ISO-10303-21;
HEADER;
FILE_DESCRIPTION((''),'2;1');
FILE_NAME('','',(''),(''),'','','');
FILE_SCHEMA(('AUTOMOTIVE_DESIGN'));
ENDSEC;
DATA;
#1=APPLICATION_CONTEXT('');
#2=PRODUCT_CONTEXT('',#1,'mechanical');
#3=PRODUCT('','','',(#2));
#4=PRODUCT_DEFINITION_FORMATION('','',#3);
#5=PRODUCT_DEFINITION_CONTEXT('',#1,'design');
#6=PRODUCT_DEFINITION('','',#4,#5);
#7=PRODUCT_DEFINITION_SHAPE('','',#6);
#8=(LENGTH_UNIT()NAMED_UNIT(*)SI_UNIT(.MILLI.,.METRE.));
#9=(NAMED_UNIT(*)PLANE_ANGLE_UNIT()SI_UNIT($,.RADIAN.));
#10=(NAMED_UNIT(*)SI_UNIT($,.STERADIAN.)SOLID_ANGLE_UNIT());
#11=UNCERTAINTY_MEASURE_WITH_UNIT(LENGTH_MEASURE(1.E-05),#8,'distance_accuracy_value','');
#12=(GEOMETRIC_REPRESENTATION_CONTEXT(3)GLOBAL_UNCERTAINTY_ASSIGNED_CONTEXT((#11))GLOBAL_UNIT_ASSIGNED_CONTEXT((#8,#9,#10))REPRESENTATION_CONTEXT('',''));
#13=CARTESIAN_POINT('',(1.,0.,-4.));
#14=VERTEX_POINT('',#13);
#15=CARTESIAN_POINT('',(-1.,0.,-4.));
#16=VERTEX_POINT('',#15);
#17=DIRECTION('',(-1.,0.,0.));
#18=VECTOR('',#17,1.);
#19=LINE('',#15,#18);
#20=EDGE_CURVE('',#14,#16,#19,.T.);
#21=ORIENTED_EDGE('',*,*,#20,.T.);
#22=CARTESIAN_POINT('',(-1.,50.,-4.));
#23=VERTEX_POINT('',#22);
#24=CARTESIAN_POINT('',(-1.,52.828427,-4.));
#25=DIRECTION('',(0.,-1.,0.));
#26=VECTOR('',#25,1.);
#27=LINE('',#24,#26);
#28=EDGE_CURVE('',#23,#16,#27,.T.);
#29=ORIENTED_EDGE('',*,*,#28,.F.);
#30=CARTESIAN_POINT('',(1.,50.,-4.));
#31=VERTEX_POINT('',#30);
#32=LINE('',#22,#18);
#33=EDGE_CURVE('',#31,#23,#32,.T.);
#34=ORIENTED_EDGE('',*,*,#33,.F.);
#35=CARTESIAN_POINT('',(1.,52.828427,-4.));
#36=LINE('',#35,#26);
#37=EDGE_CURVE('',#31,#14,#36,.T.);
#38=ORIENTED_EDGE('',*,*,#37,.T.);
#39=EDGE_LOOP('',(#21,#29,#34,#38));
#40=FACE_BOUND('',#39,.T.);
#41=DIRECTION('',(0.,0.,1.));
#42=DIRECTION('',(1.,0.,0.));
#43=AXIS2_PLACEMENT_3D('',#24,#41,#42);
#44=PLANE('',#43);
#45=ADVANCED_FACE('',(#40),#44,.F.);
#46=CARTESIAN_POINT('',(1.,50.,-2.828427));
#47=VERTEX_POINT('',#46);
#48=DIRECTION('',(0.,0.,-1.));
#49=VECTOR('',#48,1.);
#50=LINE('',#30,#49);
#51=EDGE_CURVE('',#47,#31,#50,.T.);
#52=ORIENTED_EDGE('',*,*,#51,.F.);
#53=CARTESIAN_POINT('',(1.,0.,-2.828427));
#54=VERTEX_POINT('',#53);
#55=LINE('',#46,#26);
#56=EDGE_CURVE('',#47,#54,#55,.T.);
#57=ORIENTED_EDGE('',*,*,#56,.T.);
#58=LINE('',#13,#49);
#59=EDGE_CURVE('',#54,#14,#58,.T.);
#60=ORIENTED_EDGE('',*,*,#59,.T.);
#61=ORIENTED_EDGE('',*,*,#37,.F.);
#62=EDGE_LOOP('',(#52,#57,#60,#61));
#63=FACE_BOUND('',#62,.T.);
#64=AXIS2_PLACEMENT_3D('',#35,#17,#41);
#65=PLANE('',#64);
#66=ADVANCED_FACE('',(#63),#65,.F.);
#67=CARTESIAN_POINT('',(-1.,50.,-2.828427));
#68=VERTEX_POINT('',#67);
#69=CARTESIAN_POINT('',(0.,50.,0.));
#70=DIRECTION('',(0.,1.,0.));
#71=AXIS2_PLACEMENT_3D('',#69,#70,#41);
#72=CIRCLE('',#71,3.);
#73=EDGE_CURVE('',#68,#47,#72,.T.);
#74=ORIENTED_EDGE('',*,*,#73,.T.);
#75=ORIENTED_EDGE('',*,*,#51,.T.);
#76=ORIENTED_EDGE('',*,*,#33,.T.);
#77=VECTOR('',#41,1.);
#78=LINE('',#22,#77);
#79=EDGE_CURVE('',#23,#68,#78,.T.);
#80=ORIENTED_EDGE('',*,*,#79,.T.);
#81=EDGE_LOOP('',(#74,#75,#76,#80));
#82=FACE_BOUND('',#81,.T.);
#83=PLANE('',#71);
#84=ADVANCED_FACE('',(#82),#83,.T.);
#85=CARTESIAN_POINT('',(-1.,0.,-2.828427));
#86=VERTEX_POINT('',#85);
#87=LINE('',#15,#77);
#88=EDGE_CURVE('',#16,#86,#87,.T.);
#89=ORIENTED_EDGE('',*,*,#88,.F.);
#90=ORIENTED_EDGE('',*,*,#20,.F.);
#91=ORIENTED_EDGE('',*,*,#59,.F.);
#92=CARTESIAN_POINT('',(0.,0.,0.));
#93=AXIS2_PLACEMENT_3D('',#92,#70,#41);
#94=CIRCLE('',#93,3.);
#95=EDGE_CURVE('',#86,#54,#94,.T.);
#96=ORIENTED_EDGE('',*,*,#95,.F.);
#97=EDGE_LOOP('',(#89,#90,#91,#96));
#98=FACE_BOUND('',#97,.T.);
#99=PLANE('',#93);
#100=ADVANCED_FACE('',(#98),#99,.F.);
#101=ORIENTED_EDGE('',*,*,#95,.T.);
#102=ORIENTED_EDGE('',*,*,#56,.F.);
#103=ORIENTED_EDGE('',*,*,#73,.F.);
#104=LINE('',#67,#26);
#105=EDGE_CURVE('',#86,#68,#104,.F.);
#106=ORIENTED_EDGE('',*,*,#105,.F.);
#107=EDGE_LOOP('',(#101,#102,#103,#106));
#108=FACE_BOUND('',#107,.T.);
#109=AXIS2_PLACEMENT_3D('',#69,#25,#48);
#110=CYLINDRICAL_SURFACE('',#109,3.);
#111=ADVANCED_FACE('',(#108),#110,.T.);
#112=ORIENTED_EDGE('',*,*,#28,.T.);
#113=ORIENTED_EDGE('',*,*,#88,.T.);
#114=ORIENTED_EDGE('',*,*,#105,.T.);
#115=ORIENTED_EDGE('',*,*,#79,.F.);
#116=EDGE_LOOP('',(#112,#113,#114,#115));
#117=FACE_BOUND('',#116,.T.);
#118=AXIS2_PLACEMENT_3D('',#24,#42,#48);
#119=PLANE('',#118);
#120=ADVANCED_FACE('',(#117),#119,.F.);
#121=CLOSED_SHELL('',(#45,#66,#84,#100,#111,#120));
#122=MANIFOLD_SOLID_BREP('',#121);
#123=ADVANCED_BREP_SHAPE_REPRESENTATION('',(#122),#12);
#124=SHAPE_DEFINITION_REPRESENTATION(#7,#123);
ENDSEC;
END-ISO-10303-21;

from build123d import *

# Parameters (mm, degrees)
SKETCH_1_R      = 3
EXTRUDE_1_DEPTH = 50
SKETCH_2_W      = 2
SKETCH_2_H      = 2
EXTRUDE_2_DEPTH = 50


with BuildPart() as part:
    # 스케치1 → 보스-돌출1 (new body)
    with BuildSketch(Plane(origin=(0, 0, 0), x_dir=(1, 0, 0), z_dir=(0, 1, 0))):
        with Locations(Location((0, 0, 0), (0, 0, 270))):
            Circle(SKETCH_1_R)
    extrude(amount=EXTRUDE_1_DEPTH)

    # 스케치2 → 보스-돌출2 (add)
    with BuildSketch(Plane(origin=(0, 0, 0), x_dir=(1, 0, 0), z_dir=(0, 1, 0))):
        with Locations((0, 3)):
            Rectangle(SKETCH_2_W, SKETCH_2_H)
    extrude(amount=EXTRUDE_2_DEPTH)


solid = part.part
